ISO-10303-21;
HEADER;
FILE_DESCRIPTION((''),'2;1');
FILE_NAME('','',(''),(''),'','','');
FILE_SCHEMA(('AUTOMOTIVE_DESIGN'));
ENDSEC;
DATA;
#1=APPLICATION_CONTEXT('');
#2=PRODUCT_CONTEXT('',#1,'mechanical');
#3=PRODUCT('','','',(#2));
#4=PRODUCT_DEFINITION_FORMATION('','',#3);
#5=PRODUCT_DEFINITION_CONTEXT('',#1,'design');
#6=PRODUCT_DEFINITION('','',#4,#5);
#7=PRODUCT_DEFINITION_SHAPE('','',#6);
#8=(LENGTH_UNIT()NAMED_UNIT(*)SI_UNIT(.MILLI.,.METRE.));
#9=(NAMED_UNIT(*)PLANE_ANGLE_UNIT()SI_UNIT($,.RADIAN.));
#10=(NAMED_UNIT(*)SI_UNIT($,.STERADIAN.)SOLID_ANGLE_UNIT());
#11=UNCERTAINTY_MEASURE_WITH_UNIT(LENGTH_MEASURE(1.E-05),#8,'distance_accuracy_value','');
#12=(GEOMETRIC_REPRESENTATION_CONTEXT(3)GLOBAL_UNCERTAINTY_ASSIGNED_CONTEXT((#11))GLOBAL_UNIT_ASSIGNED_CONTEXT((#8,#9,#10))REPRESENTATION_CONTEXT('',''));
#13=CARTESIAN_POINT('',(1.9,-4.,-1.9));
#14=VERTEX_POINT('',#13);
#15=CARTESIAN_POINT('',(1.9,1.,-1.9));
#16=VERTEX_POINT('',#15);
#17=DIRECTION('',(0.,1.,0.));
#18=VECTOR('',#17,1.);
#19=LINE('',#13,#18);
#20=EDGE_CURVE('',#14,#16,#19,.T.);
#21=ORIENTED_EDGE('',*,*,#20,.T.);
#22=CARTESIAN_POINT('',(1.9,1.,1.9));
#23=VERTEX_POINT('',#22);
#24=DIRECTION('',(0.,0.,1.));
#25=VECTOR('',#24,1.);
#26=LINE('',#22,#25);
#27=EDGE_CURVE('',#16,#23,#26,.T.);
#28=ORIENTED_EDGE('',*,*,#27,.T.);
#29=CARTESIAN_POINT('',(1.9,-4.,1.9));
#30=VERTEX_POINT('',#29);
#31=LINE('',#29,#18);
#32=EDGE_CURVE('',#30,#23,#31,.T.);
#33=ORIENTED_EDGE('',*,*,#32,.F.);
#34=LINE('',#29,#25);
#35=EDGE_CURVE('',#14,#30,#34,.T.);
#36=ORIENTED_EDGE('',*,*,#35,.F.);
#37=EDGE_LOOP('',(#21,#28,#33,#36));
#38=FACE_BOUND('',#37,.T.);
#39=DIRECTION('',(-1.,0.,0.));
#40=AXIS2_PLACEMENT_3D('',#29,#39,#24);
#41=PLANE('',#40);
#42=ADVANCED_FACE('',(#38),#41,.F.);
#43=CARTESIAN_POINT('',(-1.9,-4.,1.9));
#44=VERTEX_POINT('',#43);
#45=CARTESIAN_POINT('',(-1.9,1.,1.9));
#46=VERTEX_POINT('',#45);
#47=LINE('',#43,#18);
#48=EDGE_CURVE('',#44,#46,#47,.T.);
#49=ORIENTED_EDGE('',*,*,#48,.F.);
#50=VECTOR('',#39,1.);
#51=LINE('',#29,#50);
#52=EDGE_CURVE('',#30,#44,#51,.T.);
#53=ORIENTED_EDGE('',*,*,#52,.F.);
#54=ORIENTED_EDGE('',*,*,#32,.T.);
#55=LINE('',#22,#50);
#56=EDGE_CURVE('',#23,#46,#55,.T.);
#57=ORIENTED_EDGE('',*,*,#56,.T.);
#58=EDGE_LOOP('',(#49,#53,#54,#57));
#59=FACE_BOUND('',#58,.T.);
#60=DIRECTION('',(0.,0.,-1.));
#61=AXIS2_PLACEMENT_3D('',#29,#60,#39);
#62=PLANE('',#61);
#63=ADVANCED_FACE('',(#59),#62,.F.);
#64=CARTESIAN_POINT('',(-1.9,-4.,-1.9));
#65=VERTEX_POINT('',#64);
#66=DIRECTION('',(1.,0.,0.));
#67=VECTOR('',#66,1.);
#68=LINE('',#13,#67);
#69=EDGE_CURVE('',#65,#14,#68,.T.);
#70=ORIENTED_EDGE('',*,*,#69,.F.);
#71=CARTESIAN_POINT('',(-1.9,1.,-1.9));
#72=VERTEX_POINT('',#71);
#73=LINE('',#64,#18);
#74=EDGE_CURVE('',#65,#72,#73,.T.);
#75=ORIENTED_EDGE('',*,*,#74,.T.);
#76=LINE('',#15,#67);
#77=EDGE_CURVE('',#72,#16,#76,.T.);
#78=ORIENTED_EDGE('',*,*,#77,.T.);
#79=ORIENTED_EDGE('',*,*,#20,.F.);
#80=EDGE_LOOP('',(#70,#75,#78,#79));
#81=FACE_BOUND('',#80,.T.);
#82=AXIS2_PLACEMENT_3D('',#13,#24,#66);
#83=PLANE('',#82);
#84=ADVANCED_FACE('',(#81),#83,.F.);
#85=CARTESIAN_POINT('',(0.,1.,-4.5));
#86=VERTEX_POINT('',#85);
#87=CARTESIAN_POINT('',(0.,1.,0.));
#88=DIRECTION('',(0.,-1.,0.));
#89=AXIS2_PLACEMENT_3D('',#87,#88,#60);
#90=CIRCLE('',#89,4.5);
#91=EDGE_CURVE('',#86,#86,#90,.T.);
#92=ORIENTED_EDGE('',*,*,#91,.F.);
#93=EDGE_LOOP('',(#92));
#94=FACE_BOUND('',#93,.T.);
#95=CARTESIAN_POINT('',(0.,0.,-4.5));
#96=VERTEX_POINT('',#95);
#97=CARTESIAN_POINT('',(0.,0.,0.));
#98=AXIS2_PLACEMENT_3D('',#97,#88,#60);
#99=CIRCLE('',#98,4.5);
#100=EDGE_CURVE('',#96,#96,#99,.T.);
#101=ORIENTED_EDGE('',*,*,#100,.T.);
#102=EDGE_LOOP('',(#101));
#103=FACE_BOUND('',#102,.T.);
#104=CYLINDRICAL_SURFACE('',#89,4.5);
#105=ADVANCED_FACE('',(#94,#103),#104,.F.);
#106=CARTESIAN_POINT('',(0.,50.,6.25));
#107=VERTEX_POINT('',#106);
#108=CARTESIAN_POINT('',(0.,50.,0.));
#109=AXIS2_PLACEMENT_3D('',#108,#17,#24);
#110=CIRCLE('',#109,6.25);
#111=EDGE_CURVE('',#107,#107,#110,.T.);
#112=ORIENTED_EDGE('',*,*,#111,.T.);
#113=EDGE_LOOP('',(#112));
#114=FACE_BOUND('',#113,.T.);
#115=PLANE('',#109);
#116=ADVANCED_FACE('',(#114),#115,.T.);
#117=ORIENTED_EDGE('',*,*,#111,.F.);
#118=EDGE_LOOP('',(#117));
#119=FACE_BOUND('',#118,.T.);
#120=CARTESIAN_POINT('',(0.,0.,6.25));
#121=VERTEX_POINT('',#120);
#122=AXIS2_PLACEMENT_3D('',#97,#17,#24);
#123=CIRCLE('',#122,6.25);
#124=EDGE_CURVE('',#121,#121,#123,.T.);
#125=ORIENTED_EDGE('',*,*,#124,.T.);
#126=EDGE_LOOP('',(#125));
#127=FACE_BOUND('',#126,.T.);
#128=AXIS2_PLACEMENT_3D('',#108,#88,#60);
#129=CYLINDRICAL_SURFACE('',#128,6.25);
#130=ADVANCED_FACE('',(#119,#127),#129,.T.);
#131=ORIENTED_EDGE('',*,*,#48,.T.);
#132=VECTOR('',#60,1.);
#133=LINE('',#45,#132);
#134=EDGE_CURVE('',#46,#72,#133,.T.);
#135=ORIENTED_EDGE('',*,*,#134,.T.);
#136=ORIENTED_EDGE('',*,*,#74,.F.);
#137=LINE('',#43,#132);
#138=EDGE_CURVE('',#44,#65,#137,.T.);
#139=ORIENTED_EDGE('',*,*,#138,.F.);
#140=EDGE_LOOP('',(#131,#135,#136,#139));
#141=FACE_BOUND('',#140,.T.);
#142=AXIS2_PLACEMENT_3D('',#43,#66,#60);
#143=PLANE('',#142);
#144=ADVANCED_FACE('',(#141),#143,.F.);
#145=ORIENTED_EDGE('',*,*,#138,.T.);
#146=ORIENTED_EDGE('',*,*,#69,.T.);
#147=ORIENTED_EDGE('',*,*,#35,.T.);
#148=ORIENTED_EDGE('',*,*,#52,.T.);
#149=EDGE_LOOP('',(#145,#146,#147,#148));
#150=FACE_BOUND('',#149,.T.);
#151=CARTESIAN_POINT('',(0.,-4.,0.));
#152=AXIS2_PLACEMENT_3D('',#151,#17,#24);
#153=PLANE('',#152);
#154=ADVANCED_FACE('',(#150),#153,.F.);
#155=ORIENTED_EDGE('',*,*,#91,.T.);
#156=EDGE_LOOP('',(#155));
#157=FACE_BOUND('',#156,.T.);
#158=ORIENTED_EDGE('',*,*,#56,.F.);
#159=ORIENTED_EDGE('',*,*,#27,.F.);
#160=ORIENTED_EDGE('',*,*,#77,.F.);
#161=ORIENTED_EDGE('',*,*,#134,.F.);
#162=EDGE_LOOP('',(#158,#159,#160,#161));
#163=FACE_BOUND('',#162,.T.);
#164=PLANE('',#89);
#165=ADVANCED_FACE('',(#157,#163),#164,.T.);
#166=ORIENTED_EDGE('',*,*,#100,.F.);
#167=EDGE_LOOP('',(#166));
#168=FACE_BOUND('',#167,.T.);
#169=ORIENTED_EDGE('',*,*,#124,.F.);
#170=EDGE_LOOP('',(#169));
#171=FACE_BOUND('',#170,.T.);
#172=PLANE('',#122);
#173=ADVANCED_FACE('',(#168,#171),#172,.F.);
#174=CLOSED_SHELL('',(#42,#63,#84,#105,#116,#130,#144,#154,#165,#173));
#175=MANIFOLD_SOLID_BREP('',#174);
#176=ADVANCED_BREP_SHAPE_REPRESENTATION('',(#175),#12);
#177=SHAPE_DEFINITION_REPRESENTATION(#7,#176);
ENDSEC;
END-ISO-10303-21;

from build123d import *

# Parameters (mm, degrees)
SKETCH1_R           = 6.25
BOSS_EXTRUDE1_DEPTH = 50
SKETCH2_R           = 4.5
CUT_EXTRUDE1_DEPTH  = 1
SKETCH3_W           = 3.8
SKETCH3_H           = 3.8
BOSS_EXTRUDE2_DEPTH = 5


with BuildPart() as part:
    # Sketch1 → Boss-Extrude1 (new body)
    with BuildSketch(Plane(origin=(0, 0, 0), x_dir=(1, 0, 0), z_dir=(0, 1, 0))):
        Circle(SKETCH1_R)
    extrude(amount=BOSS_EXTRUDE1_DEPTH)

    # Sketch2 → Cut-Extrude1 (cut)
    with BuildSketch(Plane.XZ):
        Circle(SKETCH2_R)
    extrude(amount=-CUT_EXTRUDE1_DEPTH, mode=Mode.SUBTRACT)

    # Sketch3 → Boss-Extrude2 (add)
    with BuildSketch(Plane(origin=(0, 1, 0), x_dir=(-1, 0, 0), z_dir=(0, -1, 0))):
        Rectangle(SKETCH3_W, SKETCH3_H)
    extrude(amount=BOSS_EXTRUDE2_DEPTH)


solid = part.part
